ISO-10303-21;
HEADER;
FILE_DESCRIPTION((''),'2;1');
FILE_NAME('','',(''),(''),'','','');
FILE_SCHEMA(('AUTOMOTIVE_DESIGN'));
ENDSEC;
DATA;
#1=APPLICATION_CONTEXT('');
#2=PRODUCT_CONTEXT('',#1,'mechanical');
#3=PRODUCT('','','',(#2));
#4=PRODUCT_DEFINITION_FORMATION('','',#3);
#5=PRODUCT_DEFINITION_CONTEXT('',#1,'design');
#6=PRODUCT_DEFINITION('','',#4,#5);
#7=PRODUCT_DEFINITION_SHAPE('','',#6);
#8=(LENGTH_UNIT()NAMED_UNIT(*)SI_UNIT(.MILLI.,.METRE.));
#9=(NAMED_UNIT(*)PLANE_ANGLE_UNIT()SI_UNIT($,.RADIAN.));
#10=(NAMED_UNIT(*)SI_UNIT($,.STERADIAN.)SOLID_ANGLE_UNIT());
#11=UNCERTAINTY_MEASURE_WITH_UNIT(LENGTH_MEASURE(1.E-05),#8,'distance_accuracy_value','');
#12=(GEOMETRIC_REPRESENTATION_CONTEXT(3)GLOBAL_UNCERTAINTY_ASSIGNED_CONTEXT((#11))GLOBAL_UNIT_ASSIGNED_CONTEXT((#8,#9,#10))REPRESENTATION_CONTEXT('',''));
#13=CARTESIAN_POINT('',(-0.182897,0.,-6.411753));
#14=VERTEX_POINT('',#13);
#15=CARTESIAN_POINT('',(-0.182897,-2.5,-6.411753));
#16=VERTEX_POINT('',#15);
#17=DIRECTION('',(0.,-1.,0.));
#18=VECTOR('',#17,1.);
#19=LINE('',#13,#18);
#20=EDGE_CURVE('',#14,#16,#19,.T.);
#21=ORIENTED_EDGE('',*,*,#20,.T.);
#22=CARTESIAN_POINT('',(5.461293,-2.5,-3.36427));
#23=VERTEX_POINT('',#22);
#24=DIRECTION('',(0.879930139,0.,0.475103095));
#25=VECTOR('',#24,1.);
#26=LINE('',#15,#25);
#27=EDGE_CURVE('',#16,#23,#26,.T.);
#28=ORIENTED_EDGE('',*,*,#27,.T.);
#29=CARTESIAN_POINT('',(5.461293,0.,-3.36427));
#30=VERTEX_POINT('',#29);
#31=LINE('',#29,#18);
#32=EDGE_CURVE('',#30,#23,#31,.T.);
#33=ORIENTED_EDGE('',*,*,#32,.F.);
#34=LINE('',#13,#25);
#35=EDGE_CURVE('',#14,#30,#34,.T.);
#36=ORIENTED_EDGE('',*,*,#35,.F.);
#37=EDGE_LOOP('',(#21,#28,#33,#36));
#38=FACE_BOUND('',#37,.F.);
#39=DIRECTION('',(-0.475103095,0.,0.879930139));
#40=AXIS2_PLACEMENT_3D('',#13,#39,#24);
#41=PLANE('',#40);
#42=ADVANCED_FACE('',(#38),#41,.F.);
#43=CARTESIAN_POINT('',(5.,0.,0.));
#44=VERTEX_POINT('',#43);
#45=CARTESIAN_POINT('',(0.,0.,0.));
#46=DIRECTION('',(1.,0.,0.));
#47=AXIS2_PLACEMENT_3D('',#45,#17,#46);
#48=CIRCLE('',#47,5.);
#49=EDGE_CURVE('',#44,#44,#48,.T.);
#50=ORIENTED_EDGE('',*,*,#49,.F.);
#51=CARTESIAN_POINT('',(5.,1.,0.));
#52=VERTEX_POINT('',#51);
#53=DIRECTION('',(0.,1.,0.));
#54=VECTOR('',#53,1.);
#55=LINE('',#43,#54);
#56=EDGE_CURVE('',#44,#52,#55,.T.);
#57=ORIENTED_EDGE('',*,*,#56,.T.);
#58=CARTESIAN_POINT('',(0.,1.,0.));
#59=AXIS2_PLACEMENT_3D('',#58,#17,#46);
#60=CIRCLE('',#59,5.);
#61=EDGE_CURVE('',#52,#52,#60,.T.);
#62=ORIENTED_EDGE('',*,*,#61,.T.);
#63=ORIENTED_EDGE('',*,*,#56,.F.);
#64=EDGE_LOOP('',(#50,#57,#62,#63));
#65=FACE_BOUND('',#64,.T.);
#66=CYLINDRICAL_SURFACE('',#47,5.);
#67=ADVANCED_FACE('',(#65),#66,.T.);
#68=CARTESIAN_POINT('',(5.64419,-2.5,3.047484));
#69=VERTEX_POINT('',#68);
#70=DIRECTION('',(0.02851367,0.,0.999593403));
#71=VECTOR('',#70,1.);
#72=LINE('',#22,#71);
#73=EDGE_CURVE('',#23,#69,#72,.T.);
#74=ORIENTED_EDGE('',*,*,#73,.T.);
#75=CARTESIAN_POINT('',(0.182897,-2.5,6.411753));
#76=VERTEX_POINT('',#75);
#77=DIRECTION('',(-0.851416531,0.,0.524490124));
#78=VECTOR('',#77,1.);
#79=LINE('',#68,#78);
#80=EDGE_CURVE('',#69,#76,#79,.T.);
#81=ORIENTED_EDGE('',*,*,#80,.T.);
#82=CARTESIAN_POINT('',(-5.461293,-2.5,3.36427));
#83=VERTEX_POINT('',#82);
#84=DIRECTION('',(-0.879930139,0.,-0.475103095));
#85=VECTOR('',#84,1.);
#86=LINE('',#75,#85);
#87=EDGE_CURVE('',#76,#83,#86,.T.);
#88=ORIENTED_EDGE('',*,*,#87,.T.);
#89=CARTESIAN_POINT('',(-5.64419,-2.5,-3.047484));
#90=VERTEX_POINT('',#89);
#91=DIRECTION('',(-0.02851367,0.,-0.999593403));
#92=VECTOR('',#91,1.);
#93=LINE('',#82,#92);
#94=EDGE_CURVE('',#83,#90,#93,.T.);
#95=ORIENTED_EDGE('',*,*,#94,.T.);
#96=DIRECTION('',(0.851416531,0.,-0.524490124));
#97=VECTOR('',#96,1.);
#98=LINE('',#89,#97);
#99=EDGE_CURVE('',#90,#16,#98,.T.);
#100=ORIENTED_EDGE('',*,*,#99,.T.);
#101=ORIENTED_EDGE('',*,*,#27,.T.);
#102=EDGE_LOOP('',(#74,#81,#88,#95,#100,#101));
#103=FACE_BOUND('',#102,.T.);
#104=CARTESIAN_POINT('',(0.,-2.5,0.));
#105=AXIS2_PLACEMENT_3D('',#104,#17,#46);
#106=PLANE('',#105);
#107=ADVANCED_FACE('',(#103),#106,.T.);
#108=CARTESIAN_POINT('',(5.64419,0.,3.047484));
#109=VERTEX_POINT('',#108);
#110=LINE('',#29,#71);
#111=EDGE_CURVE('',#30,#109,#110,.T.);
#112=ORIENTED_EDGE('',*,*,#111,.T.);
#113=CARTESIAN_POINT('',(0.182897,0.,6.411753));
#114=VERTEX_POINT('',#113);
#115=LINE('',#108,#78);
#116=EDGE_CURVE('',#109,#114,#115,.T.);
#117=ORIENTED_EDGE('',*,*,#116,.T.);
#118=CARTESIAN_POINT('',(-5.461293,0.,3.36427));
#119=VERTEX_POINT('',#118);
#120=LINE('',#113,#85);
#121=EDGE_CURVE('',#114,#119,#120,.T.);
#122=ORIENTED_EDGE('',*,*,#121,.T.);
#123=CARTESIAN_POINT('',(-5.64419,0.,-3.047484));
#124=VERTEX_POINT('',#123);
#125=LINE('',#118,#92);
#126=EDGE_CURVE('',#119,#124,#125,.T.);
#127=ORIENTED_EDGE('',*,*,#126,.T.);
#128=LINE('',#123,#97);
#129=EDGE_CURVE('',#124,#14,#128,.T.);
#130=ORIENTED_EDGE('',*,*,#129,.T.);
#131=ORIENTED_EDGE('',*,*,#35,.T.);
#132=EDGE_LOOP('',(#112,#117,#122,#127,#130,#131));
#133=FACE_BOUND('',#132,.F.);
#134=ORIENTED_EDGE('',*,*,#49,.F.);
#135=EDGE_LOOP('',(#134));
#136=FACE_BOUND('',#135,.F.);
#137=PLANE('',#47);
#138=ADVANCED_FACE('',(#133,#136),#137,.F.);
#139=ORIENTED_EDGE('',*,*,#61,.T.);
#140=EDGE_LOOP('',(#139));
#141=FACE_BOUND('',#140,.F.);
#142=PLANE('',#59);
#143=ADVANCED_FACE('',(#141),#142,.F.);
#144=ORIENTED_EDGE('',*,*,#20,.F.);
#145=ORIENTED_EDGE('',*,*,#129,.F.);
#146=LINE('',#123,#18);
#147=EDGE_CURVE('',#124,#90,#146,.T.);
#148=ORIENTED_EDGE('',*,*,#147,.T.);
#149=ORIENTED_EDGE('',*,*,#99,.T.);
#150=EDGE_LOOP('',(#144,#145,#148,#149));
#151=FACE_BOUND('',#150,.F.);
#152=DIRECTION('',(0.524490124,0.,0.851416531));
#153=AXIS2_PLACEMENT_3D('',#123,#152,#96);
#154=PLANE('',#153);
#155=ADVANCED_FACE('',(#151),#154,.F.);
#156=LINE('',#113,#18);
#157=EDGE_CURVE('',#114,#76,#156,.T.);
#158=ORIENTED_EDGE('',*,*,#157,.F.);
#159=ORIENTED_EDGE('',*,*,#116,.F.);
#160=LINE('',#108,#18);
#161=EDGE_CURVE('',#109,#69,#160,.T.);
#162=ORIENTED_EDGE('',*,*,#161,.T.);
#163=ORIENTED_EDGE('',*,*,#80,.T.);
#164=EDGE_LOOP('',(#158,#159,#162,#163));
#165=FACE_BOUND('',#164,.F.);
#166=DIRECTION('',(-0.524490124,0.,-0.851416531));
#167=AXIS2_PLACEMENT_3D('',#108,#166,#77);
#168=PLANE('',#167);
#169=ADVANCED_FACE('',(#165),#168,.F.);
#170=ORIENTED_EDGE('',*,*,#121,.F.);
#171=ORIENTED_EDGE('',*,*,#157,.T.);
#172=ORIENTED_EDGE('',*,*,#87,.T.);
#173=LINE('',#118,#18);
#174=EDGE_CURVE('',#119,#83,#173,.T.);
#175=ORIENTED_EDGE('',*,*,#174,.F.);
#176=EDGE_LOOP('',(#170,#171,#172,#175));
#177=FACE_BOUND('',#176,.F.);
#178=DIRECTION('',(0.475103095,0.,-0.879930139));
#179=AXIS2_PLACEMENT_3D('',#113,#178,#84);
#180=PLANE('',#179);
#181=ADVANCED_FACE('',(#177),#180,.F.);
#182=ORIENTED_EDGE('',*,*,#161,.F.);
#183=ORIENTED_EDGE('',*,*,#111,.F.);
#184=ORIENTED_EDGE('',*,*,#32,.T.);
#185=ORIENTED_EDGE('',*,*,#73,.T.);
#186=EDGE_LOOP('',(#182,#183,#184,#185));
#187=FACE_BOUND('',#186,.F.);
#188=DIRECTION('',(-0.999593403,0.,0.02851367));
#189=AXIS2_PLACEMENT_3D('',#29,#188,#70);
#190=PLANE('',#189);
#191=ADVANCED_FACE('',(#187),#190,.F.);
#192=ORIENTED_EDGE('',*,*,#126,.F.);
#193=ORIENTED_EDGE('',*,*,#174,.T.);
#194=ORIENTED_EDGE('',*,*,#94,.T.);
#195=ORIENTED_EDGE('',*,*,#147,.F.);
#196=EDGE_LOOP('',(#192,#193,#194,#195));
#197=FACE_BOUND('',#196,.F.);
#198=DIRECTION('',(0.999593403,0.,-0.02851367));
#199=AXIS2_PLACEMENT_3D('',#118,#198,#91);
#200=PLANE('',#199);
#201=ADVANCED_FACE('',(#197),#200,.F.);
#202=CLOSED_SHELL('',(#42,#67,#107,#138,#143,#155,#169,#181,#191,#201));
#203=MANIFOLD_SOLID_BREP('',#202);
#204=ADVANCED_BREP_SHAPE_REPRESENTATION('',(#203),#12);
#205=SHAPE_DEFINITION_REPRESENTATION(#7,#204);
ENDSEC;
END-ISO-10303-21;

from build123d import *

# Parameters (mm, degrees)
F1_DEPTH = 2.5
F2_R     = 5
F3_DEPTH = 1


with BuildPart() as f1:
    # F0 (on Front) → F1 (new body)
    with BuildSketch(Plane.XZ):
        Polygon((5.64419, 3.047484), (0.182897, 6.411753), (-5.461293, 3.36427), (-5.64419, -3.047484), (-0.182897, -6.411753), (5.461293, -3.36427), align=None)
    extrude(amount=F1_DEPTH)

    # F2 (on Front) → F3 (join)
    with BuildSketch(Plane.XZ):
        Circle(F2_R)
    extrude(amount=-F3_DEPTH)


solid = f1.part
